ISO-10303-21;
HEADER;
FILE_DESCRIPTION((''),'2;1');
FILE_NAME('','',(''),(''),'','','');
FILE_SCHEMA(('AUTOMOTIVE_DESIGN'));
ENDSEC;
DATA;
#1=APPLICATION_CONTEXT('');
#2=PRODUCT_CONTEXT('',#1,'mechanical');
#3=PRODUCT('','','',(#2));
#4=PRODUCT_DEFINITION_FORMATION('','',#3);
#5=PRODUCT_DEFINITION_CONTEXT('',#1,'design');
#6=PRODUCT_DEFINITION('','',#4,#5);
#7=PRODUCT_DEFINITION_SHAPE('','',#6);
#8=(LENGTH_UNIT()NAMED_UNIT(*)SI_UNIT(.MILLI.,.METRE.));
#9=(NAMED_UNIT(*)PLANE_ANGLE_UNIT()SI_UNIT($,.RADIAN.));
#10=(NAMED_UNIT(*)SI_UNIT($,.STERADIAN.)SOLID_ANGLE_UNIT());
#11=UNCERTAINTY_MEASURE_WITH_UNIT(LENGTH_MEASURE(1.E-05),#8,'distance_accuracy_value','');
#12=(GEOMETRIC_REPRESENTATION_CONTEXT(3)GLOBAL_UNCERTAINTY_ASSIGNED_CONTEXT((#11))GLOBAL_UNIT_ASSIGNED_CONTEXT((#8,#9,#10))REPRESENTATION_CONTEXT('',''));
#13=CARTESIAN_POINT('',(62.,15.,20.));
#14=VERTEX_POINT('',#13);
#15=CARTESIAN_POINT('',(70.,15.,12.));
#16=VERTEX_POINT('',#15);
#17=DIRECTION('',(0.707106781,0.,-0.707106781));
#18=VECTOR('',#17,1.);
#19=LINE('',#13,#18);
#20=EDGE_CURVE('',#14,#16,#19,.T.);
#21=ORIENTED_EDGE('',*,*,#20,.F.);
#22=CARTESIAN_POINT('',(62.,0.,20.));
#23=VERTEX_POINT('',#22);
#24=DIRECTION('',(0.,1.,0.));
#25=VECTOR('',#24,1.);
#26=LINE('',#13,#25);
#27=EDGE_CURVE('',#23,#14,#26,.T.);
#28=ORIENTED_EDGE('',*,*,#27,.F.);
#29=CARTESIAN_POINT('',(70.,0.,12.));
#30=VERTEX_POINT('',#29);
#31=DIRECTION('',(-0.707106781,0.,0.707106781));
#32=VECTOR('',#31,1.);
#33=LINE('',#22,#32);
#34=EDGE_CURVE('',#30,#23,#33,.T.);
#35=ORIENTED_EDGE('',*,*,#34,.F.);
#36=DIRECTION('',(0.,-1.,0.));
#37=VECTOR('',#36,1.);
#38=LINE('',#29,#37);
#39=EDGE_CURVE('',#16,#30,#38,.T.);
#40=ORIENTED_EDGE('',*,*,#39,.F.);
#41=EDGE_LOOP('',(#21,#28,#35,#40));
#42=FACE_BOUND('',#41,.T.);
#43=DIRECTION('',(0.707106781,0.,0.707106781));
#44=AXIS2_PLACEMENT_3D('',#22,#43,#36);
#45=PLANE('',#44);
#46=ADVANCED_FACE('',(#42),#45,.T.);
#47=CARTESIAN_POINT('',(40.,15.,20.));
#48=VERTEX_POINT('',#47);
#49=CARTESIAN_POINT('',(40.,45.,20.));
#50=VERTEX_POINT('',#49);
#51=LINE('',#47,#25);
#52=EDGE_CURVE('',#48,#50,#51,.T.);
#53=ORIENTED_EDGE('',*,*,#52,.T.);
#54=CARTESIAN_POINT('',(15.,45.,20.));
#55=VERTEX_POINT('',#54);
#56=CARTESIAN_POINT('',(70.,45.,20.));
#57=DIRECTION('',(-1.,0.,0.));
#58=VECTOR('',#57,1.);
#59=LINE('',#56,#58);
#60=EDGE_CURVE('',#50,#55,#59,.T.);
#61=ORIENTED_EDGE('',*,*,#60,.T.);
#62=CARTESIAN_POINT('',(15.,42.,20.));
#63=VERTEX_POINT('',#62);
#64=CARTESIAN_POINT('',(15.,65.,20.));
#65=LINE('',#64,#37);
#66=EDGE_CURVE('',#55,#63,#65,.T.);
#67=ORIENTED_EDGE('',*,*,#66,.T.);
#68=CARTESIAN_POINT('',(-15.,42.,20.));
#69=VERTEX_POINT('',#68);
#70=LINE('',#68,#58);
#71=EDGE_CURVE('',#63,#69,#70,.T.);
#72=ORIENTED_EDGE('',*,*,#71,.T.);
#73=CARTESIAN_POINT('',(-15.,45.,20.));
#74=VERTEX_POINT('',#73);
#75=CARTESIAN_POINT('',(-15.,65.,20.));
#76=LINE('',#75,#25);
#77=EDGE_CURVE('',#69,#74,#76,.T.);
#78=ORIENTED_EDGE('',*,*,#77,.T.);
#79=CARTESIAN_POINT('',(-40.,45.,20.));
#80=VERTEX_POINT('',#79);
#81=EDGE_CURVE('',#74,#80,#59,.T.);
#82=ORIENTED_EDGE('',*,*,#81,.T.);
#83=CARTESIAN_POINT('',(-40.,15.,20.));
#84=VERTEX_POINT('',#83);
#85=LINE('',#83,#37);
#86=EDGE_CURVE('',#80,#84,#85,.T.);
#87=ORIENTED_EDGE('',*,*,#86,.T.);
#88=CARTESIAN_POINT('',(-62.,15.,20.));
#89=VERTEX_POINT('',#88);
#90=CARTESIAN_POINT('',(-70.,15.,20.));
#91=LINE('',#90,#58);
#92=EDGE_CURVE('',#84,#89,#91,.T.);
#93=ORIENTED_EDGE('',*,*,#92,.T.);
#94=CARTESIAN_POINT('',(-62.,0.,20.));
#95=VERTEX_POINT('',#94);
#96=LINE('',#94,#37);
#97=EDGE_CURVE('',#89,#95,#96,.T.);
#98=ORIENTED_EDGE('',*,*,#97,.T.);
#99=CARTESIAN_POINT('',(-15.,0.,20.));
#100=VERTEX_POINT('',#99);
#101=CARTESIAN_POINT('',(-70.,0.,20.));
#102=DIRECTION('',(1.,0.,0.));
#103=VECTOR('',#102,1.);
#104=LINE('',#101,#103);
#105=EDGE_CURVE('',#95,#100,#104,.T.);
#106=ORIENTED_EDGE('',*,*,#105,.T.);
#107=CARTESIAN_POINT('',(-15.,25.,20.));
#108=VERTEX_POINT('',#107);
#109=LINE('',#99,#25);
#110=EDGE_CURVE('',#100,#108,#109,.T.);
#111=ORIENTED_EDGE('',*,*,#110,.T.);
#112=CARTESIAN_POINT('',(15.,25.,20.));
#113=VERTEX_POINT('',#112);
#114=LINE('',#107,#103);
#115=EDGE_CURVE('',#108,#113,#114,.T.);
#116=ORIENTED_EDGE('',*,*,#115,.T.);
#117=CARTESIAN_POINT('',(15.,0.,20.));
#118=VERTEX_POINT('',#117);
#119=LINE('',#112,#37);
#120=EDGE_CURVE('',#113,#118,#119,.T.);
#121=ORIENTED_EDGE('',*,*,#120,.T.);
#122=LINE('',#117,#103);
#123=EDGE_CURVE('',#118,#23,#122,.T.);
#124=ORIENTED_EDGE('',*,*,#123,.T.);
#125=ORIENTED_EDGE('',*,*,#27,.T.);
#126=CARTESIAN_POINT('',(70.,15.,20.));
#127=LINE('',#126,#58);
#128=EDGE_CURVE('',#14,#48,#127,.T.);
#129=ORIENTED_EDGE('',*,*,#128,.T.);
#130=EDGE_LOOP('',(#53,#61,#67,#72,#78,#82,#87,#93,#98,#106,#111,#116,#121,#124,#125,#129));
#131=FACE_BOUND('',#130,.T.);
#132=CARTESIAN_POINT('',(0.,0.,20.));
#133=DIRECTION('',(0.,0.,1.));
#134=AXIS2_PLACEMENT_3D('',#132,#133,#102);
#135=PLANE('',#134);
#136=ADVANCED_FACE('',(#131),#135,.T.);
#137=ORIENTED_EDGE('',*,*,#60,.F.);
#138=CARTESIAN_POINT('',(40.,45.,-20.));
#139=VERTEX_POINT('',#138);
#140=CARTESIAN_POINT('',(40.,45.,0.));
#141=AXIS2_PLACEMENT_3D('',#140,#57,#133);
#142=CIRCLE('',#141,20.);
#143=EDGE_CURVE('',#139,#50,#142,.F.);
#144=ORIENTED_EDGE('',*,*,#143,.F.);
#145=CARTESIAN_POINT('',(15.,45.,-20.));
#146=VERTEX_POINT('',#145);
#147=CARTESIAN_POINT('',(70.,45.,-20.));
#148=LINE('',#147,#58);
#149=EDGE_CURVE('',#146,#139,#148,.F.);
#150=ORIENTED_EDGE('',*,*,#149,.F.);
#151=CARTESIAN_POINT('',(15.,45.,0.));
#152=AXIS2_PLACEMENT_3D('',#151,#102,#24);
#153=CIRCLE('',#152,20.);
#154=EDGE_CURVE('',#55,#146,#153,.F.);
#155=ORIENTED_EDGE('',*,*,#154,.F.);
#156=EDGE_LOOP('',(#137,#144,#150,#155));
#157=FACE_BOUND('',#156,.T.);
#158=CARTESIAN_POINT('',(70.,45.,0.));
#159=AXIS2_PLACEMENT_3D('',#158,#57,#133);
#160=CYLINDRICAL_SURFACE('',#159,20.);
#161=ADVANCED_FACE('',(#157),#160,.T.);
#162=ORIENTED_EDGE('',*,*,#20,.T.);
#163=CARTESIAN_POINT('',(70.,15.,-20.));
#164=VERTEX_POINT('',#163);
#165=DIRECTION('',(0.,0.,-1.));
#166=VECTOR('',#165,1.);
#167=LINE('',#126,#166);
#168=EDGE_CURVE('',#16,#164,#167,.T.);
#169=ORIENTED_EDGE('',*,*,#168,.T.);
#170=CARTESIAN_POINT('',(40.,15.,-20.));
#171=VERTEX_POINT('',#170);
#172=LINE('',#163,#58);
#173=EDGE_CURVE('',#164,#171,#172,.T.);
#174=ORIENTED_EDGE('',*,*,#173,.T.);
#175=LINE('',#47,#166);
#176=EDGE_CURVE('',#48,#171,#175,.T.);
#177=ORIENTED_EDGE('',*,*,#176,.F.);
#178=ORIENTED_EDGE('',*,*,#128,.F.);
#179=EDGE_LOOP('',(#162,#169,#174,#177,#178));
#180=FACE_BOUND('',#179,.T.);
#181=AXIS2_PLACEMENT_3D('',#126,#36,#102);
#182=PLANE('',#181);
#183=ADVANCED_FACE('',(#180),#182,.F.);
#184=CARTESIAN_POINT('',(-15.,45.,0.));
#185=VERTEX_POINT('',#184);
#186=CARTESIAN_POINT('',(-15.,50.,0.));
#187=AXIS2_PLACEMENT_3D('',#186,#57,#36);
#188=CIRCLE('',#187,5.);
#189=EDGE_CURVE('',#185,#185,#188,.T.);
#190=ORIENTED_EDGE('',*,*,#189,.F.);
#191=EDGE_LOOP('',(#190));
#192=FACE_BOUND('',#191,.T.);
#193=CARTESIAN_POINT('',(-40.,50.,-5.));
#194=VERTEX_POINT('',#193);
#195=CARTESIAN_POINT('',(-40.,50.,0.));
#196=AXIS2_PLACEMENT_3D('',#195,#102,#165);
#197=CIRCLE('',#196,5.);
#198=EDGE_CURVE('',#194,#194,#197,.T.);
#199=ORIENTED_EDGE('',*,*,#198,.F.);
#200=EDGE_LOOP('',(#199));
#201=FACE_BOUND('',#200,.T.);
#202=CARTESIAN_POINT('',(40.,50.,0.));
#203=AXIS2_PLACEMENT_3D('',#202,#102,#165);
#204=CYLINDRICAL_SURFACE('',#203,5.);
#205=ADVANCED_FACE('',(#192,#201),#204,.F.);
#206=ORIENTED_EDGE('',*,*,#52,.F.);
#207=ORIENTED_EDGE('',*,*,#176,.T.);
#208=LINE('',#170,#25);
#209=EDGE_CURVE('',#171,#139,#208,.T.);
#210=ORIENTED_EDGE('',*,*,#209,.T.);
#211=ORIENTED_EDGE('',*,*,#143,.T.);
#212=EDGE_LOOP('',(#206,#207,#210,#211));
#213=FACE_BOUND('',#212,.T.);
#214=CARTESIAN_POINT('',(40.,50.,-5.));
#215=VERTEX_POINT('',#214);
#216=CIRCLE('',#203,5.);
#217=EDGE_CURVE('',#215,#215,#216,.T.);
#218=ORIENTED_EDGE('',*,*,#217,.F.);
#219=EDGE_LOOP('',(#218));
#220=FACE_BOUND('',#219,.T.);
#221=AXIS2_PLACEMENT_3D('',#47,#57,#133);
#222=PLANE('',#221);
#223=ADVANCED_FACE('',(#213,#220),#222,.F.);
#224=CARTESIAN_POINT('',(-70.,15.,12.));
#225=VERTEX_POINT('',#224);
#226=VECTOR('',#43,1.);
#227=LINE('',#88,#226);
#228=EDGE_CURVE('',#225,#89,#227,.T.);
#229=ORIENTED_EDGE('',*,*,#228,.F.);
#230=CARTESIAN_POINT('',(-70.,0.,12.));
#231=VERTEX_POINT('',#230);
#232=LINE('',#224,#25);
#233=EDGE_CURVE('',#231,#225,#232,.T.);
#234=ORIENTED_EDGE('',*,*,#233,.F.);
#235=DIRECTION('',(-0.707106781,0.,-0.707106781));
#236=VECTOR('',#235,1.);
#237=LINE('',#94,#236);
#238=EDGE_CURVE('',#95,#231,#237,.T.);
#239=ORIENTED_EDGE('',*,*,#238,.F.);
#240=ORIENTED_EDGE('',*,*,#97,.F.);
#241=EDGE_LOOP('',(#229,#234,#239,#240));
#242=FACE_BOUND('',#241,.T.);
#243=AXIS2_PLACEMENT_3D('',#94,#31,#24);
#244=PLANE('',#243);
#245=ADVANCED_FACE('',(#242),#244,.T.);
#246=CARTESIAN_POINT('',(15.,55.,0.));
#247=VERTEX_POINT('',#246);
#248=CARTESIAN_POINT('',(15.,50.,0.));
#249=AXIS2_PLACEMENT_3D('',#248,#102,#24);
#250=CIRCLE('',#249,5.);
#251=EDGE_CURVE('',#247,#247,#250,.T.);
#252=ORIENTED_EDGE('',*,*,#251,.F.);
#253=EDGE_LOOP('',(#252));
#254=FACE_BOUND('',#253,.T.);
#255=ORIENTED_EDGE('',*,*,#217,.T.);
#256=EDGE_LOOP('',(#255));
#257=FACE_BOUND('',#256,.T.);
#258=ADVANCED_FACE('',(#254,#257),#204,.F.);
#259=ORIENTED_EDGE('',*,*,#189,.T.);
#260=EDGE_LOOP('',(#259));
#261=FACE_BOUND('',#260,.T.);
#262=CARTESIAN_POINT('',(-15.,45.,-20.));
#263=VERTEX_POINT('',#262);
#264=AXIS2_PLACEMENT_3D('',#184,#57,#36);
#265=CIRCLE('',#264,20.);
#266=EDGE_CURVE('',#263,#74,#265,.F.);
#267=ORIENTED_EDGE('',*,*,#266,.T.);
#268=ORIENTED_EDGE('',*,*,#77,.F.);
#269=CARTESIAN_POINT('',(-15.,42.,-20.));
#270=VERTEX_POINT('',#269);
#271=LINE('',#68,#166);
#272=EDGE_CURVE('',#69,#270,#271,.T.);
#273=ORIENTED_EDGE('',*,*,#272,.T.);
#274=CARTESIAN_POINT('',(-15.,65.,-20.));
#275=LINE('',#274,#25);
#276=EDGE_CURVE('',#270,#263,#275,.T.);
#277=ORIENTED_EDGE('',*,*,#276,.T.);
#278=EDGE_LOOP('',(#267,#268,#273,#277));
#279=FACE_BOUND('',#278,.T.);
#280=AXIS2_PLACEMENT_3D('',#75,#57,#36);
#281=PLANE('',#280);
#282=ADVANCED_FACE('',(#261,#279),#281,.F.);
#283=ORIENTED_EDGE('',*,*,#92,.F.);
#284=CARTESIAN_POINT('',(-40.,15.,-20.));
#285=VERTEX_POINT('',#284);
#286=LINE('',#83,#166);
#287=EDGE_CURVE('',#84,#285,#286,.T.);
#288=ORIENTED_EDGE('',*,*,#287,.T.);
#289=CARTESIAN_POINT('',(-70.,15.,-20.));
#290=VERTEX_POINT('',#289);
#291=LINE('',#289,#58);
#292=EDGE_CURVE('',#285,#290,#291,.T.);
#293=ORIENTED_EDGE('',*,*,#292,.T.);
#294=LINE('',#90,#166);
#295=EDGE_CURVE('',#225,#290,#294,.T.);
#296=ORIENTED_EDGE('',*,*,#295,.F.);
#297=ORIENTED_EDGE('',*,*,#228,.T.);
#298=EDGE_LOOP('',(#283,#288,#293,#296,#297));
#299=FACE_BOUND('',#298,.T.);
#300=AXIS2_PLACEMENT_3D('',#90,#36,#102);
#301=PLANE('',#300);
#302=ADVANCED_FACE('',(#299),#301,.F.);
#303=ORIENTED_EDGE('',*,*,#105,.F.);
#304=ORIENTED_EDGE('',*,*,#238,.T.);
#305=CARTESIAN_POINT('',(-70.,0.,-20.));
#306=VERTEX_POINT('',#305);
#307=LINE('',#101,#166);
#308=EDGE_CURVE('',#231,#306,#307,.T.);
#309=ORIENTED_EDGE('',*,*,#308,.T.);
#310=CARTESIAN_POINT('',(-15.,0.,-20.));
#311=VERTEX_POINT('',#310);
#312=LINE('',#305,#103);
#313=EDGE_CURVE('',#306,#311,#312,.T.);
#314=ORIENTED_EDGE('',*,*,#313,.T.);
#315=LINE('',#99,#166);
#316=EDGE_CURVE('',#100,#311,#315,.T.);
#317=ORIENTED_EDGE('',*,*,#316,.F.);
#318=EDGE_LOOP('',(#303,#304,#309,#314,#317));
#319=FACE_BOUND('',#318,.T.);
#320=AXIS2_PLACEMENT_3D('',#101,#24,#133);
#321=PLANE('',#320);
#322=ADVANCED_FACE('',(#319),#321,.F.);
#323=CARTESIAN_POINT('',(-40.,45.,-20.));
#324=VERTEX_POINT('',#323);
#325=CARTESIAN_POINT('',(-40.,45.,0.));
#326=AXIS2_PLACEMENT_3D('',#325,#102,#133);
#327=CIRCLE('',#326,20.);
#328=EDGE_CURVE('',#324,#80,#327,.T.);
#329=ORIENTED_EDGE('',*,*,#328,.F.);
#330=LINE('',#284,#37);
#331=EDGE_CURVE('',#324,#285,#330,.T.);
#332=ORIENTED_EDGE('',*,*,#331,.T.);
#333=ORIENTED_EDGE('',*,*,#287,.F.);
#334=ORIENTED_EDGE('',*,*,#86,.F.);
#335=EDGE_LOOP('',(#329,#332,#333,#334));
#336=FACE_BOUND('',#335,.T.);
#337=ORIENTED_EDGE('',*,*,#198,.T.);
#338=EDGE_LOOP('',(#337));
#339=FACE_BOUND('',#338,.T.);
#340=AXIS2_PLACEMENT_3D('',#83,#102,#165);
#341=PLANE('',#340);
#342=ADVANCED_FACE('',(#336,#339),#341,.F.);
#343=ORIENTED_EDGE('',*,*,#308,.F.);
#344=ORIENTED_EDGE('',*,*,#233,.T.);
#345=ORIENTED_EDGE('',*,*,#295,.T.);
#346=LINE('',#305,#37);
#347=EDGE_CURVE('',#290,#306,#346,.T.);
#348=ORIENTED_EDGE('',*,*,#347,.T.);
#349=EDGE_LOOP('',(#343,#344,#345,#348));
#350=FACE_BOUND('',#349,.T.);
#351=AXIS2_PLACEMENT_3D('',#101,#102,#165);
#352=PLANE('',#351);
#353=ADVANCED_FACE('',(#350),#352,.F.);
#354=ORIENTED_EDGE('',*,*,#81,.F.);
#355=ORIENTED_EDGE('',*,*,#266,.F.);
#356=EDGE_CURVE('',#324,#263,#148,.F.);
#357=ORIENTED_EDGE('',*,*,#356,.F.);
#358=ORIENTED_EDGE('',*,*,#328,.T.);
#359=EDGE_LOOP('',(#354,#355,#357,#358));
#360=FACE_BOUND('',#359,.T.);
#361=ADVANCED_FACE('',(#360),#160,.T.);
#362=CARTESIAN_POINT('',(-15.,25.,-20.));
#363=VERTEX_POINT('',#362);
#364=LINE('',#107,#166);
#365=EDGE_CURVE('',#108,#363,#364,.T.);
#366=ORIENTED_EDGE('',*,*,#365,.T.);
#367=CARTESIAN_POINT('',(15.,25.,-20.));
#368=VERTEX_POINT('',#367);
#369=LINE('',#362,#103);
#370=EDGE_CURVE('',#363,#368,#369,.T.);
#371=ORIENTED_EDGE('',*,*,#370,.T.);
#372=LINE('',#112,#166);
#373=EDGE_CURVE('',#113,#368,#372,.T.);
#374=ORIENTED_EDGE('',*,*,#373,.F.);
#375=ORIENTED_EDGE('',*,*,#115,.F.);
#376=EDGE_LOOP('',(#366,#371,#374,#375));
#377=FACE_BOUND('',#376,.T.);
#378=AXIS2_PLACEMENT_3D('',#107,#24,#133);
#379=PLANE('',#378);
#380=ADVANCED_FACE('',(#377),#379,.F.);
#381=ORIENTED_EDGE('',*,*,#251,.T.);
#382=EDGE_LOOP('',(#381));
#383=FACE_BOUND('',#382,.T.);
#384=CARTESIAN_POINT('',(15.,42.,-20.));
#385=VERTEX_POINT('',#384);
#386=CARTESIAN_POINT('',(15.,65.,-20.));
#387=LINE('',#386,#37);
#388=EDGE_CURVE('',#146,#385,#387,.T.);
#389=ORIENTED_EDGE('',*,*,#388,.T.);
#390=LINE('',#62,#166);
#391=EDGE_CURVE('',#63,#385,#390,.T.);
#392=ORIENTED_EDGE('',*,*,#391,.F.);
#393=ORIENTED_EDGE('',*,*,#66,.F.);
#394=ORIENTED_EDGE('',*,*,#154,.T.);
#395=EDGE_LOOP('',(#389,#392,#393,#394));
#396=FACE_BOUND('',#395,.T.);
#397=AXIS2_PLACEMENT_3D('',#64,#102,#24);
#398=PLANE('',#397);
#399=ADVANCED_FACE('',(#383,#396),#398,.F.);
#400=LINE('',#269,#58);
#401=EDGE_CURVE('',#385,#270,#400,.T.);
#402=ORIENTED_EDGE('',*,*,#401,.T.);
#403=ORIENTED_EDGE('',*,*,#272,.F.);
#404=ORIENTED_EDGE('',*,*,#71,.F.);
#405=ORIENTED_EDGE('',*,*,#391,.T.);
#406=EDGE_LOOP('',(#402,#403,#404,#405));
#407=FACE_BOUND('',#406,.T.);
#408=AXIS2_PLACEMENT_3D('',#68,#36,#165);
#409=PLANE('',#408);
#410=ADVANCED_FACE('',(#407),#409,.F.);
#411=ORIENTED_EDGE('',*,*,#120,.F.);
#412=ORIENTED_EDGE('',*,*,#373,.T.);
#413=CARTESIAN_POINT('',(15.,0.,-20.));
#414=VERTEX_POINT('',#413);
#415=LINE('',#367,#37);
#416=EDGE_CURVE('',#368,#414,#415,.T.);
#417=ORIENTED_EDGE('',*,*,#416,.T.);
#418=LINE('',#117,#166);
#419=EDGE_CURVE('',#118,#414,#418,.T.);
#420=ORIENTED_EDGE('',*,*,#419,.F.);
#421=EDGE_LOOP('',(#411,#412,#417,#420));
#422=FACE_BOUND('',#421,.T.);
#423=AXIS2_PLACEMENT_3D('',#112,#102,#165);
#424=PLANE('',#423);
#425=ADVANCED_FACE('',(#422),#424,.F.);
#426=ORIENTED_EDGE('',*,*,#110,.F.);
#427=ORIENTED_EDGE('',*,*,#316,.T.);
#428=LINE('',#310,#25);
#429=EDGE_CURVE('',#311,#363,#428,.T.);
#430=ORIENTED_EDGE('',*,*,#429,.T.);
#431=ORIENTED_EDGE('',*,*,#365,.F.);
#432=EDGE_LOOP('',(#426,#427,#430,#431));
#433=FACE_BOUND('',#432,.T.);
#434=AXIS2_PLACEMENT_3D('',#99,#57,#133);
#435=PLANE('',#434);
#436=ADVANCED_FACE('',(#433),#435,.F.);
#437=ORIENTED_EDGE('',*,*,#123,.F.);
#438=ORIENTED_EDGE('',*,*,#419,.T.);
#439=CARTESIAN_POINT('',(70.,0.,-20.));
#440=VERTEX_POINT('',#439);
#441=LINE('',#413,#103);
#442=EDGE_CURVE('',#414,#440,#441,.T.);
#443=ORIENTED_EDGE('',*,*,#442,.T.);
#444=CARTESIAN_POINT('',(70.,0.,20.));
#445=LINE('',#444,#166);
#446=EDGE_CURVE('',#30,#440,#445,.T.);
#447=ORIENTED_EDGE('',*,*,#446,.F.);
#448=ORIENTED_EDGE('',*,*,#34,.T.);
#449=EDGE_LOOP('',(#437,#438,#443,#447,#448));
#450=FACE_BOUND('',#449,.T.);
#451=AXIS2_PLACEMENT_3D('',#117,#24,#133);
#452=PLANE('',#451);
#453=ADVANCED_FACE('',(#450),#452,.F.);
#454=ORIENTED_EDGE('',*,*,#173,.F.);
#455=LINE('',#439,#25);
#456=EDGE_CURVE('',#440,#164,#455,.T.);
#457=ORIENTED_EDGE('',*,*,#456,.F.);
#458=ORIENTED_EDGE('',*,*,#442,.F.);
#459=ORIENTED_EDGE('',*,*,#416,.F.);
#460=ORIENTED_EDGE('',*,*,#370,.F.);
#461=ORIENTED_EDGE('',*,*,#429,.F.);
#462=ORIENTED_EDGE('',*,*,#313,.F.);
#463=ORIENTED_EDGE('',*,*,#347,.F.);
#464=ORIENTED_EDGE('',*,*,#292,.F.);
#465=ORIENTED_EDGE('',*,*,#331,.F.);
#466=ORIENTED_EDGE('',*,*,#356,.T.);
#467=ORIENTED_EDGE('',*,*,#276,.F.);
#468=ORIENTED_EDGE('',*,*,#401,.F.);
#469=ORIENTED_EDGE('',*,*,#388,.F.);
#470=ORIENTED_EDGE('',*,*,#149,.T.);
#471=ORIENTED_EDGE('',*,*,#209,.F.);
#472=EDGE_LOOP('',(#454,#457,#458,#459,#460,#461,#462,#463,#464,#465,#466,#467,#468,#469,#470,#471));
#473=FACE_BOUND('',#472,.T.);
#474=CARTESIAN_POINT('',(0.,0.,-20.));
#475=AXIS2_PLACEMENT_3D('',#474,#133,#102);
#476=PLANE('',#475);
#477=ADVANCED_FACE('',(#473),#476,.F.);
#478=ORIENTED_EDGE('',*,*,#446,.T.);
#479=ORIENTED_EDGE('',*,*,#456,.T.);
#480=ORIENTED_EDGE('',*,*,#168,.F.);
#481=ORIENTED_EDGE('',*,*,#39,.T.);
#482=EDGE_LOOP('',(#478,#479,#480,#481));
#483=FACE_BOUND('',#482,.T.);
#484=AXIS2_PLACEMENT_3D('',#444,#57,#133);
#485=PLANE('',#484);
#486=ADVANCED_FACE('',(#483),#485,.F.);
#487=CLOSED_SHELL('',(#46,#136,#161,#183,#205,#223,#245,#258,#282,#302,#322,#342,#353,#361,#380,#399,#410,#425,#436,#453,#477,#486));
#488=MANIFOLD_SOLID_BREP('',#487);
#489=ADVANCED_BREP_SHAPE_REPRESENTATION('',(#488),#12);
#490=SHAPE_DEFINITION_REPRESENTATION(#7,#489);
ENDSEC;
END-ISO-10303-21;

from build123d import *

# Parameters (mm, degrees)
BOSS_EXTRUDE1_DEPTH = 20
CUT_EXTRUDE1_DEPTH  = 130.325171564
HOLE1_D             = 10
CHAMFER1_SIZE       = 8


with BuildPart() as part:
    # Sketch1 → Boss-Extrude1 (new, symmetric)
    with BuildSketch(Plane.XY):
        Polygon((-70, 0), (-70, 15), (-40, 15), (-40, 65), (-15, 65), (-15, 42), (15, 42), (15, 65), (40, 65), (40, 15), (70, 15), (70, 0), (15, 0), (15, 25), (-15, 25), (-15, 0), align=None)
    extrude(amount=BOSS_EXTRUDE1_DEPTH, both=True)

    # Sketch2 → Cut-Extrude1 (cut, through all)
    with BuildSketch(Plane.ZY.offset(40)):
        with BuildLine():
            Line((-20, 65), (-20, 45))
            ThreePointArc((-20, 45), (-14.142135624, 59.142135624), (0, 65))
            Line((0, 65), (-20, 65))
        make_face()
    cut_extrude1 = extrude(amount=-CUT_EXTRUDE1_DEPTH, mode=Mode.SUBTRACT)

    # Mirror1: Cut-Extrude1 across plane
    add(cut_extrude1.mirror(Plane.XY), mode=Mode.SUBTRACT)

    # Hole1 (through all)
    with Locations(Plane(origin=(40, 0, 0), x_dir=(0, 0, -1), z_dir=(1, 0, 0))):
        with Locations((0, 50)):
            Hole(HOLE1_D / 2)

    # Chamfer1
    chamfer1_edges = [part.edges().sort_by_distance(p)[0] for p in [
        (70, 7.5, 20),
        (-70, 7.5, 20),
    ]]
    chamfer(chamfer1_edges, length=CHAMFER1_SIZE)


solid = part.part
